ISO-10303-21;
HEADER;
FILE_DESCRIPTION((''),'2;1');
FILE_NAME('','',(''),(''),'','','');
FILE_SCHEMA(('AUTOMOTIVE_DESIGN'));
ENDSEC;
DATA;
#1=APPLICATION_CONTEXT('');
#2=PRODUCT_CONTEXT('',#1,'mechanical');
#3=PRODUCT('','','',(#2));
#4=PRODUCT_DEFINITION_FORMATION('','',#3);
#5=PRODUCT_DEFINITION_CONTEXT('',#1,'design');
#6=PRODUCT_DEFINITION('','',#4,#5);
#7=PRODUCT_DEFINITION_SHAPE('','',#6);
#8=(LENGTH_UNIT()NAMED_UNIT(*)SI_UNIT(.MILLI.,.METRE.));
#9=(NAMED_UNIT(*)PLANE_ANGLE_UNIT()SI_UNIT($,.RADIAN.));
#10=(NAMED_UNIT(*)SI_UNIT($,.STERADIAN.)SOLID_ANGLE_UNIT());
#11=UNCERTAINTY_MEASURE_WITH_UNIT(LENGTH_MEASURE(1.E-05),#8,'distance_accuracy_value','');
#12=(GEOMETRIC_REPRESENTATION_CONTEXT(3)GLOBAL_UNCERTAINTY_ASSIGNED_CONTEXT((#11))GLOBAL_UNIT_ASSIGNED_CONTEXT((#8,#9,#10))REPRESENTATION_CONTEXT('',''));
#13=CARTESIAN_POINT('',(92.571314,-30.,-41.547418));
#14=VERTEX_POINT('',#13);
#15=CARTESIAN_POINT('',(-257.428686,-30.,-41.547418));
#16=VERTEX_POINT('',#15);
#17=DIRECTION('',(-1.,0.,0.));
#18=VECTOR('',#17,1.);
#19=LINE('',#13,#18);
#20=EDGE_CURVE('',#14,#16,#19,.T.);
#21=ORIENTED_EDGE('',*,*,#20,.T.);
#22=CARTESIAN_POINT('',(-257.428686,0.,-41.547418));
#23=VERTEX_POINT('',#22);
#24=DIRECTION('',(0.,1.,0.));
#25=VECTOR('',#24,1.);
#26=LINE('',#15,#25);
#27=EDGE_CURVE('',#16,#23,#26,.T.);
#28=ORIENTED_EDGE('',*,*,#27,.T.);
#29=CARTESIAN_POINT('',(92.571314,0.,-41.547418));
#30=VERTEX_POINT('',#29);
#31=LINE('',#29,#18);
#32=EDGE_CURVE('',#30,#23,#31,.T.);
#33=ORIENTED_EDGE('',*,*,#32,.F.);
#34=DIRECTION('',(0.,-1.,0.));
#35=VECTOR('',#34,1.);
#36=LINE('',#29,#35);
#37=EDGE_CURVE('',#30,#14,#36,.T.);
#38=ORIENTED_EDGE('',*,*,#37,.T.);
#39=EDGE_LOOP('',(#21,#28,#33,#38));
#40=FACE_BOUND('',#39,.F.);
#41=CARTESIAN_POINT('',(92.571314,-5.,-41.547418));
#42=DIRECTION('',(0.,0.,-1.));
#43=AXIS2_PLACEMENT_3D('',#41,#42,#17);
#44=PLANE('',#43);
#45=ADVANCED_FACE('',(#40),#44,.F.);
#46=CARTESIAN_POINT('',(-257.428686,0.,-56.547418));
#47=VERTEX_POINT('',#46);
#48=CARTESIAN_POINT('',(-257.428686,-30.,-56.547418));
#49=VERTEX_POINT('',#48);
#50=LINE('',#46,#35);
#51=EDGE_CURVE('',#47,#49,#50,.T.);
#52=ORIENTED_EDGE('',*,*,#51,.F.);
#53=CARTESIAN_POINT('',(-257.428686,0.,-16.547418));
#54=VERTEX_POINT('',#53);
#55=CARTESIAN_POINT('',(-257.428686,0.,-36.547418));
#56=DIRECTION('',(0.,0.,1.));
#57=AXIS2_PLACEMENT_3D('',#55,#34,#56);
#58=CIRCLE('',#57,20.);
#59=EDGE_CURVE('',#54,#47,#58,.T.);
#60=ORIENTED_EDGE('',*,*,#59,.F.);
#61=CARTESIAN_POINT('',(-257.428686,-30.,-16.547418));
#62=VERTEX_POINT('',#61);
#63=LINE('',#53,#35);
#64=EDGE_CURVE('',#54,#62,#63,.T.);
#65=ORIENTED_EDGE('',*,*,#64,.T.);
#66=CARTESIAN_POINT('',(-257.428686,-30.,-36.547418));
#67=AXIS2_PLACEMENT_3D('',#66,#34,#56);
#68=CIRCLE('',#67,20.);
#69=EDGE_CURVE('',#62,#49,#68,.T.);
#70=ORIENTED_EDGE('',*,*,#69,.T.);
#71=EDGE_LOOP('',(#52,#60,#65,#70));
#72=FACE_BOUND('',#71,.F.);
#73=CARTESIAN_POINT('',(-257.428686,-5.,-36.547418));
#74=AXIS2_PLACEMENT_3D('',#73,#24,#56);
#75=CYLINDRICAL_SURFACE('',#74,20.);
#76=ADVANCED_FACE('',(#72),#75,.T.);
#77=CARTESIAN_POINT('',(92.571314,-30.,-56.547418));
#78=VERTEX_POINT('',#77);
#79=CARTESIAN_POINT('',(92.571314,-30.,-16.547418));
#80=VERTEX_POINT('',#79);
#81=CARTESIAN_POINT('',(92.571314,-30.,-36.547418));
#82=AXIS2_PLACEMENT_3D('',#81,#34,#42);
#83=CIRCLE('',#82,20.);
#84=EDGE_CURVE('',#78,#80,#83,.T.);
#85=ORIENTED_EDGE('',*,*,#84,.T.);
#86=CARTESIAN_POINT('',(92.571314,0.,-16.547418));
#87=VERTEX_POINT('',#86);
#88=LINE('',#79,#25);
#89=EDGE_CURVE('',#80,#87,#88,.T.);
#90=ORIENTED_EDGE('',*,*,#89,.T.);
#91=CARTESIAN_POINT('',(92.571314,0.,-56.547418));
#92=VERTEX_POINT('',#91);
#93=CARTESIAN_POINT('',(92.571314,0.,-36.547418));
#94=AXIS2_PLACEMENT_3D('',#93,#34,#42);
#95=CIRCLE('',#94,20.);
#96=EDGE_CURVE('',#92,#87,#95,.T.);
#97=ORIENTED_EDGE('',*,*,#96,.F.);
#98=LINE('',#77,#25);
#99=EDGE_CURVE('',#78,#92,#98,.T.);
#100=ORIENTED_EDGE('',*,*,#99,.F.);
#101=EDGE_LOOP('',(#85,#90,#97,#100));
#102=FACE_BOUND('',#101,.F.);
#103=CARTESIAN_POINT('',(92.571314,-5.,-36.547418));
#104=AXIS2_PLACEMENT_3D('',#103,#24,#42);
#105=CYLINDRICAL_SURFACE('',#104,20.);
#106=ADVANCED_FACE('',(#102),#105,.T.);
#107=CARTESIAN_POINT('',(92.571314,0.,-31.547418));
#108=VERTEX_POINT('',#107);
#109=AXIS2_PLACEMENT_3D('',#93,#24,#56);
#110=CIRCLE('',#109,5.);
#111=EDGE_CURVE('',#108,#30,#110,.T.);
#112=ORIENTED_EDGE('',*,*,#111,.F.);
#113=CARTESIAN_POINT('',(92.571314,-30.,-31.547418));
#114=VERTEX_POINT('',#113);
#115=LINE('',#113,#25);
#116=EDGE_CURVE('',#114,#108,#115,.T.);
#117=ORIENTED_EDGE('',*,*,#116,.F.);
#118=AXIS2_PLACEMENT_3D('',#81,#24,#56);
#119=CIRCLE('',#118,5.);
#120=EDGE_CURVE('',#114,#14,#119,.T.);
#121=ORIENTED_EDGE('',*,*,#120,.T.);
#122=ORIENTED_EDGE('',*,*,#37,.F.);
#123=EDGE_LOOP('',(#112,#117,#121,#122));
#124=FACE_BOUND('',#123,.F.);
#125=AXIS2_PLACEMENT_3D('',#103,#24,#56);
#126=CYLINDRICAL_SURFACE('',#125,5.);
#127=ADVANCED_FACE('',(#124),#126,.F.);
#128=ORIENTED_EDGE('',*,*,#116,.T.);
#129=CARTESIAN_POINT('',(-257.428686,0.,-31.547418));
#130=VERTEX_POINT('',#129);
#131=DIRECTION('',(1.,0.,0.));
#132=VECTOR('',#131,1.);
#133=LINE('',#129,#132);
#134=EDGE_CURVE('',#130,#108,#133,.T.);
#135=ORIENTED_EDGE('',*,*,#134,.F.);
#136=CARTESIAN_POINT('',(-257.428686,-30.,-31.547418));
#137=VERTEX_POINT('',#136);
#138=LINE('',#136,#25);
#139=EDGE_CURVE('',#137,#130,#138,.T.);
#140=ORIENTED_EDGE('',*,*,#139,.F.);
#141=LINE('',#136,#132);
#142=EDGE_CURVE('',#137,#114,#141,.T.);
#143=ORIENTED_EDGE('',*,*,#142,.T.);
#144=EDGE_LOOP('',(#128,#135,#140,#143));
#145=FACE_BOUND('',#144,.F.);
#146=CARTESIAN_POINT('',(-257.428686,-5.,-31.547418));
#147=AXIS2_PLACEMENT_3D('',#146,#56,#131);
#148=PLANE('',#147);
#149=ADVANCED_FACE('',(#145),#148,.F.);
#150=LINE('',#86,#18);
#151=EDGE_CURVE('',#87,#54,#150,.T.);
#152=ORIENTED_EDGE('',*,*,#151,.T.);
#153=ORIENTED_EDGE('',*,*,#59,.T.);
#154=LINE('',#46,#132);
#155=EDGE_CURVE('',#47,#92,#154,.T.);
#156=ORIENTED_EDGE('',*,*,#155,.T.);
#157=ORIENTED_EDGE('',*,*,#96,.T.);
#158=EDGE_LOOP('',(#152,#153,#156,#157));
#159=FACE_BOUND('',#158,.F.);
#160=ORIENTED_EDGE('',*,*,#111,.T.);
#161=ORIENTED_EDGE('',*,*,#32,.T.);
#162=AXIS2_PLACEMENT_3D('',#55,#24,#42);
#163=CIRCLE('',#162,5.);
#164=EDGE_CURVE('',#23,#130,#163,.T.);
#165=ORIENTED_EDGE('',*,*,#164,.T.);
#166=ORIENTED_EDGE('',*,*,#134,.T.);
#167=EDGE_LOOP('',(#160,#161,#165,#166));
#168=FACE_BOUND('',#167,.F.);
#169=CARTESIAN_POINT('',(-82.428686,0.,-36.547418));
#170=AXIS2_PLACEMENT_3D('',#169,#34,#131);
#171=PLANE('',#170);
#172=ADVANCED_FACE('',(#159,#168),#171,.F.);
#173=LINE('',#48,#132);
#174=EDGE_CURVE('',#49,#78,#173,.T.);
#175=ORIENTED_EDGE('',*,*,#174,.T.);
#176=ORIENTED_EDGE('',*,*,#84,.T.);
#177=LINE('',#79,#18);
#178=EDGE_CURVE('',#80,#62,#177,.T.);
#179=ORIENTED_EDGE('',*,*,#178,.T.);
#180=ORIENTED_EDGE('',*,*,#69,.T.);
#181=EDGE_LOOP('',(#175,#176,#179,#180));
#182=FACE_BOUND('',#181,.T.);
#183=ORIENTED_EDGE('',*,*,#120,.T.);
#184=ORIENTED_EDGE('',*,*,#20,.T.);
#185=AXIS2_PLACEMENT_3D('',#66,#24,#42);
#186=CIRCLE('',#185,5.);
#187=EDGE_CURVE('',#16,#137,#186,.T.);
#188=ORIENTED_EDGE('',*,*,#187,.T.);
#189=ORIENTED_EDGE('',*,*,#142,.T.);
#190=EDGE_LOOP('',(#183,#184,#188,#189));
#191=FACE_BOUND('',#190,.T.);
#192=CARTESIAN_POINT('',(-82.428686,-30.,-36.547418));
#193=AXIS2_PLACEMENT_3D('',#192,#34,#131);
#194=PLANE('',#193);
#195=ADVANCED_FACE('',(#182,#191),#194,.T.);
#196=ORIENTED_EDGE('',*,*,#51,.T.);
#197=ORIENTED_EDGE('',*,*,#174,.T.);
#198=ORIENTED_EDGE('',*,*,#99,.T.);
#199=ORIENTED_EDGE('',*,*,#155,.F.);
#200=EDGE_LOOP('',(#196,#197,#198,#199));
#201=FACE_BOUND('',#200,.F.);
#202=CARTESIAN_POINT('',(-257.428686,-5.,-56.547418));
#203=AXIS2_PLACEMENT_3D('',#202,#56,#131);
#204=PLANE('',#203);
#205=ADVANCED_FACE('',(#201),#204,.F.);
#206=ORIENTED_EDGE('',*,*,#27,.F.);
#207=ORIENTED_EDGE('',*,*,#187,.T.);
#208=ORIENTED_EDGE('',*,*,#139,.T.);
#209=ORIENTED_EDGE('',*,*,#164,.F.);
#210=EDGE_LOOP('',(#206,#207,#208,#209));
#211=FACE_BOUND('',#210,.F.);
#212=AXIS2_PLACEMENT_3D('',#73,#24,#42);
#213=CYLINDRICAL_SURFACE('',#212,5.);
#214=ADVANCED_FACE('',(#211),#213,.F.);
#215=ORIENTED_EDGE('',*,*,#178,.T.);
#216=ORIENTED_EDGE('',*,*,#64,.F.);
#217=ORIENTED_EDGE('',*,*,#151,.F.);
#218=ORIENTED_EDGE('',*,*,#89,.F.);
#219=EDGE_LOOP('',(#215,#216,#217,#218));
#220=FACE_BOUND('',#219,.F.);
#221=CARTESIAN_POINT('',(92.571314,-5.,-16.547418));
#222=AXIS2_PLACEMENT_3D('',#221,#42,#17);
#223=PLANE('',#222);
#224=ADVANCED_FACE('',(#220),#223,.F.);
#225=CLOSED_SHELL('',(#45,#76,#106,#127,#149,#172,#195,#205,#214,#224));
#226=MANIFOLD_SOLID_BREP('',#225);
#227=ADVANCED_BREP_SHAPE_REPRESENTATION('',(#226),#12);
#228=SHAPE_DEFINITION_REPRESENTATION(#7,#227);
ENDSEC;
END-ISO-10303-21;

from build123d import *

# Parameters (mm, degrees)
F1_DEPTH = 5
F2_DEPTH = 25


with BuildPart() as f1:
    # F0 (on Front) → F1 (new body)
    with BuildSketch(Plane.XZ):
        with BuildLine():
            Line((92.571314, -16.547418), (-257.428686, -16.547418))
            ThreePointArc((-257.428686, -16.547418), (-277.428686, -36.547418), (-257.428686, -56.547418))
            Line((-257.428686, -56.547418), (92.571314, -56.547418))
            ThreePointArc((92.571314, -56.547418), (112.571314, -36.547418), (92.571314, -16.547418))
        make_face()
        with BuildLine():
            ThreePointArc((-257.428686, -41.547418), (-262.428686, -36.547418), (-257.428686, -31.547418))
            Line((-257.428686, -31.547418), (92.571314, -31.547418))
            ThreePointArc((92.571314, -31.547418), (97.571314, -36.547418), (92.571314, -41.547418))
            Line((92.571314, -41.547418), (-257.428686, -41.547418))
        make_face(mode=Mode.SUBTRACT)
    extrude(amount=F1_DEPTH)

    # F1_face (on face) → F2 (join)
    with BuildSketch(Plane(origin=(-82.428686, -5, -36.547418), x_dir=(1, 0, 0), z_dir=(0, -1, 0))):
        with BuildLine():
            Line((175, 20), (-175, 20))
            ThreePointArc((-175, 20), (-195, 0), (-175, -20))
            Line((-175, -20), (175, -20))
            ThreePointArc((175, -20), (195, 0), (175, 20))
        make_face()
        with BuildLine():
            Line((175, -5), (-175, -5))
            ThreePointArc((-175, -5), (-180, 0), (-175, 5))
            Line((-175, 5), (175, 5))
            ThreePointArc((175, 5), (180, 0), (175, -5))
        make_face(mode=Mode.SUBTRACT)
    extrude(amount=F2_DEPTH)


solid = f1.part
